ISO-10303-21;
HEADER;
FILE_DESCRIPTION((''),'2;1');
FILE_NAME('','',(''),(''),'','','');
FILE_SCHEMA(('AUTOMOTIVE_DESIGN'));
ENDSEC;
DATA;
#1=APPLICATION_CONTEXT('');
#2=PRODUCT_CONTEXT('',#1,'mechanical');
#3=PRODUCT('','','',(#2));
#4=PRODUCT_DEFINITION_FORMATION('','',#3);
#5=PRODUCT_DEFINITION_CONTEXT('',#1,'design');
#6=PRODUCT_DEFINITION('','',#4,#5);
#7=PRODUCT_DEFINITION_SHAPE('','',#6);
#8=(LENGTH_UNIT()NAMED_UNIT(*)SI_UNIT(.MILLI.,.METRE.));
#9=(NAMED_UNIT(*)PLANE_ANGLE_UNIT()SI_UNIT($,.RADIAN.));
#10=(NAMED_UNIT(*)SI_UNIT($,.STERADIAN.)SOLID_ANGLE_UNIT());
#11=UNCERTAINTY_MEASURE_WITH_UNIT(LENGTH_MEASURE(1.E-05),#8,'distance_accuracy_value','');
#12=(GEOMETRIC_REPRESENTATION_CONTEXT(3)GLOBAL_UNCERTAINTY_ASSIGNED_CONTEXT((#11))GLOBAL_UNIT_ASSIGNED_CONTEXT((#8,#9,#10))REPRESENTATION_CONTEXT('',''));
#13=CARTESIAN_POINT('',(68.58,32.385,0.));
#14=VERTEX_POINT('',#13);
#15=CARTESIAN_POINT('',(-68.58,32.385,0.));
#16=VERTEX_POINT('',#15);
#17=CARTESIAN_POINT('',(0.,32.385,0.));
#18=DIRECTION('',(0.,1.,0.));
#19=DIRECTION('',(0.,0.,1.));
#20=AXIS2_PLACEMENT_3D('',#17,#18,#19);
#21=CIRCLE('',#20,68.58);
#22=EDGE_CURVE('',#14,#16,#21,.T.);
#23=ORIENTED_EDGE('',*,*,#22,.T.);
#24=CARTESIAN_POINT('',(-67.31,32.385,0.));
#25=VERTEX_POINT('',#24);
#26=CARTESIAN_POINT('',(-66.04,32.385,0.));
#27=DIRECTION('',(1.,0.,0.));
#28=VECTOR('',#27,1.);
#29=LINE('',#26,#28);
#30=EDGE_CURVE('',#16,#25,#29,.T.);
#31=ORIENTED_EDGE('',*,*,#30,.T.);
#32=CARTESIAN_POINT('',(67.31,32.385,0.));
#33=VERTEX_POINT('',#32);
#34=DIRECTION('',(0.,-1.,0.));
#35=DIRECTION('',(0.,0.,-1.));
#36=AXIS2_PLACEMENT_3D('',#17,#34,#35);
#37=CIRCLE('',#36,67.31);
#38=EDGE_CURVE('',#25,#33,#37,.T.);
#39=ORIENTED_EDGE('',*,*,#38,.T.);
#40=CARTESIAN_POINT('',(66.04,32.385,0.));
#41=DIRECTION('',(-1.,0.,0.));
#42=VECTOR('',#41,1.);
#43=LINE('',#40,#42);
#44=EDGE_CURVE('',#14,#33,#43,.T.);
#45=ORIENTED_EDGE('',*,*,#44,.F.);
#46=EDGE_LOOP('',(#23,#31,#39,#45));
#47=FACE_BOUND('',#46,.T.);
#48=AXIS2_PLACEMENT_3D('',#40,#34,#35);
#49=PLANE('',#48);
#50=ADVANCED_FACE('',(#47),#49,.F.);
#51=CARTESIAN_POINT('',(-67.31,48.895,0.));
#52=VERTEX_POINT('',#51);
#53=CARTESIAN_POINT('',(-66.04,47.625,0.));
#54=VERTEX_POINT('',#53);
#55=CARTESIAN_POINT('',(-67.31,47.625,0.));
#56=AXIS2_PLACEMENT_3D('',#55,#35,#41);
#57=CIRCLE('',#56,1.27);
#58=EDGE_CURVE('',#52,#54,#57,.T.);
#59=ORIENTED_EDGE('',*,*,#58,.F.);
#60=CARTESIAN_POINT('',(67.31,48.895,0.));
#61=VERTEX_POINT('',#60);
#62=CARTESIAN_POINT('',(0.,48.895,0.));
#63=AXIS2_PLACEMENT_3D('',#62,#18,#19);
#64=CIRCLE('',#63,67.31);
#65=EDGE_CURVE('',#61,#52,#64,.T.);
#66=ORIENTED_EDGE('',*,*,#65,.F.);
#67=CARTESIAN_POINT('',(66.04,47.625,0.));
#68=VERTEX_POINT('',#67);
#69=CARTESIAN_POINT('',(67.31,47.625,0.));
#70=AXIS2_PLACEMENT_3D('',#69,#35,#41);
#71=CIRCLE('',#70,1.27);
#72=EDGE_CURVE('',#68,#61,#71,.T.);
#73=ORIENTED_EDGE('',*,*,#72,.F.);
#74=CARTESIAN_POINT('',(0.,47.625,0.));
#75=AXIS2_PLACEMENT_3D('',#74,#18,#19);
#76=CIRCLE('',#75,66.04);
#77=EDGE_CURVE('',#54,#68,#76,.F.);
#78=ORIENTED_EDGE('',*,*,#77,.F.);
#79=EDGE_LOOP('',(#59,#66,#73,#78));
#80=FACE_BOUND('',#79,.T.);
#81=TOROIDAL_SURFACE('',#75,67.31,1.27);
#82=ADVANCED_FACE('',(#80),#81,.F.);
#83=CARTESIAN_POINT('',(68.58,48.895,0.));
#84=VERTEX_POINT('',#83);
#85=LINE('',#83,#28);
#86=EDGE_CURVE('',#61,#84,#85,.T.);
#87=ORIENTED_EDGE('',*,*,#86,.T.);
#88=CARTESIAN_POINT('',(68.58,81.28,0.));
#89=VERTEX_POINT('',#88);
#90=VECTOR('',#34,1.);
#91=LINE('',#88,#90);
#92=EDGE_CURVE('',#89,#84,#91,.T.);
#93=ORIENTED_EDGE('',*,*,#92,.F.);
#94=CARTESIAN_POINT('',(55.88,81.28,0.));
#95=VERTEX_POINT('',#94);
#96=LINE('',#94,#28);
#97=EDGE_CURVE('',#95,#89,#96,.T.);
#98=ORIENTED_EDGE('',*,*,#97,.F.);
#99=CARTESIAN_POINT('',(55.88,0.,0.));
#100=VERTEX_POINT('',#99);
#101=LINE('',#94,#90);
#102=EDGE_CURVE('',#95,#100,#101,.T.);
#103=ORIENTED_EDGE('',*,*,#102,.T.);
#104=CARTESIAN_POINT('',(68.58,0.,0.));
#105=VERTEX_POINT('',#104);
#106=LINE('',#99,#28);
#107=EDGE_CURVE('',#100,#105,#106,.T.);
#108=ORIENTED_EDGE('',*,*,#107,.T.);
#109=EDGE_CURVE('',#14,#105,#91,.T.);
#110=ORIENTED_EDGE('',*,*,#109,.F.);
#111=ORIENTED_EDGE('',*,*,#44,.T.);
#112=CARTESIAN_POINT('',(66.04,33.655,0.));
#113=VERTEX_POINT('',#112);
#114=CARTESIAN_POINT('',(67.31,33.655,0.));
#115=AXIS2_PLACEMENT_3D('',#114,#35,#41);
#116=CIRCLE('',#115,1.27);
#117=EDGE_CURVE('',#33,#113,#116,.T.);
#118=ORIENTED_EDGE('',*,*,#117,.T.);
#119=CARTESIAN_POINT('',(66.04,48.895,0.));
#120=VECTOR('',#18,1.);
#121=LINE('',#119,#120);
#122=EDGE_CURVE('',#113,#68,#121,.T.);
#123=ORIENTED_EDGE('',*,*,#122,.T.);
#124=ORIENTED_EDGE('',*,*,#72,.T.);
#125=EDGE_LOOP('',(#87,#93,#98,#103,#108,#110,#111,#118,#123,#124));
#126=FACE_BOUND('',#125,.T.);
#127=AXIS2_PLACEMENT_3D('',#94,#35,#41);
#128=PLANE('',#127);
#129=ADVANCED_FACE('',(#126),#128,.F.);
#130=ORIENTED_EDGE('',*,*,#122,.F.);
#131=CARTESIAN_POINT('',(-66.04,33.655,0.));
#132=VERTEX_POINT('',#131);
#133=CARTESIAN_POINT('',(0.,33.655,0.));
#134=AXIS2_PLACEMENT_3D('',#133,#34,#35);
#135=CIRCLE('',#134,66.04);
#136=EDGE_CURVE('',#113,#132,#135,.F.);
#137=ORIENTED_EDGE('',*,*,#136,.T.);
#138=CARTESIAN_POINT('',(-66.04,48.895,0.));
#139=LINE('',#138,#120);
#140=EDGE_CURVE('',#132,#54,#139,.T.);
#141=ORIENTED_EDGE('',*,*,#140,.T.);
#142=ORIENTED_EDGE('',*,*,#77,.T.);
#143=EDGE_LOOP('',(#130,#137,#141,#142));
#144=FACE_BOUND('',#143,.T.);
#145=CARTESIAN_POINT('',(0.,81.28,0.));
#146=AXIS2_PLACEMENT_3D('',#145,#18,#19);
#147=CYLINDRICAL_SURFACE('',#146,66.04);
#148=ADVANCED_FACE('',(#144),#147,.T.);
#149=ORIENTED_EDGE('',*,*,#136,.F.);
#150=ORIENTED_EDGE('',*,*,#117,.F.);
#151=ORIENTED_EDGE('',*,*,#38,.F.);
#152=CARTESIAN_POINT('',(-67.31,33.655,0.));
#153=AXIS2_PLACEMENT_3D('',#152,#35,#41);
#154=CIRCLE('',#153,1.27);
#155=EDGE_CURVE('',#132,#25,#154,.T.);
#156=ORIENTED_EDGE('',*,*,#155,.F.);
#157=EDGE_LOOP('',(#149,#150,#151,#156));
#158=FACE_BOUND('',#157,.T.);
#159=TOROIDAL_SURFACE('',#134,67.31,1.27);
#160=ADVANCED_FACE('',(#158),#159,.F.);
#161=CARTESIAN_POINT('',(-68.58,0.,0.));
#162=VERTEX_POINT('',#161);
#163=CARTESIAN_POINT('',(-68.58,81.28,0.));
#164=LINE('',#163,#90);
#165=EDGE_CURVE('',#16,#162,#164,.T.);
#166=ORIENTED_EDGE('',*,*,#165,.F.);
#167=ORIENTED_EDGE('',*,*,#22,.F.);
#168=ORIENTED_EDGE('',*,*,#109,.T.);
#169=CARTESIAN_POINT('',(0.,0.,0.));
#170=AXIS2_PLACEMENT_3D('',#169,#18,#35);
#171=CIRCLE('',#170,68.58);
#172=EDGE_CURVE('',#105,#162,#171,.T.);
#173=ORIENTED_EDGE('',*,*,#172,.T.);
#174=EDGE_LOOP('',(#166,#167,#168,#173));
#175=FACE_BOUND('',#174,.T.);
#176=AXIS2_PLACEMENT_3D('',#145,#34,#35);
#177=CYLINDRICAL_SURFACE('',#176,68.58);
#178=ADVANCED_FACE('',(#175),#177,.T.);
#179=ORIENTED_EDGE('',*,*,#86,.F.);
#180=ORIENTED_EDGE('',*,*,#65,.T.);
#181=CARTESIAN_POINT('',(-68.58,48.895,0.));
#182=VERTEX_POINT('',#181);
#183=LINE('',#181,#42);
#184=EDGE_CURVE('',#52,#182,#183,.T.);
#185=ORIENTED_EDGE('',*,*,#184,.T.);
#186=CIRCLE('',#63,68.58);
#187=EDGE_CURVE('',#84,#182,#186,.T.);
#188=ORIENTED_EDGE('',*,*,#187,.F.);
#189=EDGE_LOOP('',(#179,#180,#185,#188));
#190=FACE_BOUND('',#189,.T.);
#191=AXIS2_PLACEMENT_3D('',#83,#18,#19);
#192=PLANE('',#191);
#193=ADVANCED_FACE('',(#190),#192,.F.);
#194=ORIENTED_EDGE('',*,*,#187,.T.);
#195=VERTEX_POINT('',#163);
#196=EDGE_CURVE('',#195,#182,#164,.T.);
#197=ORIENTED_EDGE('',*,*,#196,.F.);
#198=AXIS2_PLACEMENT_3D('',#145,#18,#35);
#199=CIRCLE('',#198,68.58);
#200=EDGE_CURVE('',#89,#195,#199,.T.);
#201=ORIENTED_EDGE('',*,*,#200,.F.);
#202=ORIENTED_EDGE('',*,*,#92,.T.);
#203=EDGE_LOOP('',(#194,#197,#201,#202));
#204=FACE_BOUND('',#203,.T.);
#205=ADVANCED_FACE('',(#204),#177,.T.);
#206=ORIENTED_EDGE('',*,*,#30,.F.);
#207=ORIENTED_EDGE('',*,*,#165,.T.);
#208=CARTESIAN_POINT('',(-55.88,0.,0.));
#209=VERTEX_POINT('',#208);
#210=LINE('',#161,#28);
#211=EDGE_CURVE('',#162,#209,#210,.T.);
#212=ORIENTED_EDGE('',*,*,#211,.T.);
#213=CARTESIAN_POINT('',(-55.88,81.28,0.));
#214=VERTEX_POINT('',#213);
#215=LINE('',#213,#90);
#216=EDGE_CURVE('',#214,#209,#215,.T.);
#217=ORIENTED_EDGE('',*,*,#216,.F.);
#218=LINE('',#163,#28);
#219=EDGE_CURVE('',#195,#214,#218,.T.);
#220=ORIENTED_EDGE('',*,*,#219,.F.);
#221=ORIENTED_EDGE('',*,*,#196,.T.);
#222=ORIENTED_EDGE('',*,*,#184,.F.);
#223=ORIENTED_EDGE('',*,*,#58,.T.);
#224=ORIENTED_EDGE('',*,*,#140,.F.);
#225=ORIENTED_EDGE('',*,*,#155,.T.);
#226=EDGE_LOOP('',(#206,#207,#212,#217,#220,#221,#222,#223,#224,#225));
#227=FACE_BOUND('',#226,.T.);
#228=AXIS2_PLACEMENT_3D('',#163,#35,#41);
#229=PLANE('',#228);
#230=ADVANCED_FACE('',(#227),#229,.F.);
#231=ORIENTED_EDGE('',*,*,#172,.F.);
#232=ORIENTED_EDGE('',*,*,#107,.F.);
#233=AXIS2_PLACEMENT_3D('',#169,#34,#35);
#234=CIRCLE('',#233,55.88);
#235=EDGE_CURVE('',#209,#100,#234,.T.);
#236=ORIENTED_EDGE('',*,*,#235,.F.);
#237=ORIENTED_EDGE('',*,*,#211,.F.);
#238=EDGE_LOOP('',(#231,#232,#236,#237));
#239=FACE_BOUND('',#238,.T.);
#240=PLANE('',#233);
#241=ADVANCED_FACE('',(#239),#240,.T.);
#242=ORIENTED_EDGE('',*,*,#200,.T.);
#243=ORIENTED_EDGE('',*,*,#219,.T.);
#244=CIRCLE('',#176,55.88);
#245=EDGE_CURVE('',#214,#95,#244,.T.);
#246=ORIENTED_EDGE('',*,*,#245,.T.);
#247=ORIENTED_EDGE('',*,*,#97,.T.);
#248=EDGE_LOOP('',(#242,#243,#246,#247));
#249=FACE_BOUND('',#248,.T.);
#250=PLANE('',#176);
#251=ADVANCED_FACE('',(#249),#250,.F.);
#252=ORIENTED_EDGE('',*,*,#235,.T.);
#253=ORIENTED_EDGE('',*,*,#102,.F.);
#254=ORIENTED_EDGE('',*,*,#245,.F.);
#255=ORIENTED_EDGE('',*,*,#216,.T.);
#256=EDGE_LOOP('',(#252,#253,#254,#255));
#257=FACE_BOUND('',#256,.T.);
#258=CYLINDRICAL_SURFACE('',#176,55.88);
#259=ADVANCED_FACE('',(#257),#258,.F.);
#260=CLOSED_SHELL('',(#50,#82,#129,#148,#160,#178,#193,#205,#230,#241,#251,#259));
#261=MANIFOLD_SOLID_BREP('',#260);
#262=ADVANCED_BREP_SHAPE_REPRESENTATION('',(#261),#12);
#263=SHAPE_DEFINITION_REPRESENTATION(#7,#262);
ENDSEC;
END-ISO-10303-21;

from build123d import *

# Parameters (mm, degrees)
BOSS_EXTRUDE1_DEPTH = 81.28
SKETCH2_W           = 2.54
SKETCH2_H           = 16.51
CUT_REVOLVE1_ANGLE  = 180
FILLET1_R           = 1.27


with BuildPart() as part:
    # Sketch1 → Boss-Extrude1 (new body)
    with BuildSketch(Plane(origin=(0, 0, 0), x_dir=(1, 0, 0), z_dir=(0, 1, 0))):
        with BuildLine():
            Line((-68.58, 0), (-55.88, 0))
            ThreePointArc((-55.88, 0), (0, 55.88), (55.88, 0))
            Line((55.88, 0), (68.58, 0))
            ThreePointArc((68.58, 0), (0, 68.58), (-68.58, 0))
        make_face()
    extrude(amount=BOSS_EXTRUDE1_DEPTH)

    # Sketch2 → Cut-Revolve1 (revolve, cut)
    with BuildSketch(Plane.XY):
        with Locations((-67.31, 40.64)):
            Rectangle(SKETCH2_W, SKETCH2_H)
    revolve(axis=Axis((0, 81.28, 0), (0, -1, 0)), revolution_arc=CUT_REVOLVE1_ANGLE, mode=Mode.SUBTRACT)

    # Fillet1
    fillet1_edges = [part.edges().sort_by_distance(p)[0] for p in [
        (0, 48.895, -66.04),
        (0, 32.385, -66.04),
    ]]
    fillet(fillet1_edges, radius=FILLET1_R)


solid = part.part
